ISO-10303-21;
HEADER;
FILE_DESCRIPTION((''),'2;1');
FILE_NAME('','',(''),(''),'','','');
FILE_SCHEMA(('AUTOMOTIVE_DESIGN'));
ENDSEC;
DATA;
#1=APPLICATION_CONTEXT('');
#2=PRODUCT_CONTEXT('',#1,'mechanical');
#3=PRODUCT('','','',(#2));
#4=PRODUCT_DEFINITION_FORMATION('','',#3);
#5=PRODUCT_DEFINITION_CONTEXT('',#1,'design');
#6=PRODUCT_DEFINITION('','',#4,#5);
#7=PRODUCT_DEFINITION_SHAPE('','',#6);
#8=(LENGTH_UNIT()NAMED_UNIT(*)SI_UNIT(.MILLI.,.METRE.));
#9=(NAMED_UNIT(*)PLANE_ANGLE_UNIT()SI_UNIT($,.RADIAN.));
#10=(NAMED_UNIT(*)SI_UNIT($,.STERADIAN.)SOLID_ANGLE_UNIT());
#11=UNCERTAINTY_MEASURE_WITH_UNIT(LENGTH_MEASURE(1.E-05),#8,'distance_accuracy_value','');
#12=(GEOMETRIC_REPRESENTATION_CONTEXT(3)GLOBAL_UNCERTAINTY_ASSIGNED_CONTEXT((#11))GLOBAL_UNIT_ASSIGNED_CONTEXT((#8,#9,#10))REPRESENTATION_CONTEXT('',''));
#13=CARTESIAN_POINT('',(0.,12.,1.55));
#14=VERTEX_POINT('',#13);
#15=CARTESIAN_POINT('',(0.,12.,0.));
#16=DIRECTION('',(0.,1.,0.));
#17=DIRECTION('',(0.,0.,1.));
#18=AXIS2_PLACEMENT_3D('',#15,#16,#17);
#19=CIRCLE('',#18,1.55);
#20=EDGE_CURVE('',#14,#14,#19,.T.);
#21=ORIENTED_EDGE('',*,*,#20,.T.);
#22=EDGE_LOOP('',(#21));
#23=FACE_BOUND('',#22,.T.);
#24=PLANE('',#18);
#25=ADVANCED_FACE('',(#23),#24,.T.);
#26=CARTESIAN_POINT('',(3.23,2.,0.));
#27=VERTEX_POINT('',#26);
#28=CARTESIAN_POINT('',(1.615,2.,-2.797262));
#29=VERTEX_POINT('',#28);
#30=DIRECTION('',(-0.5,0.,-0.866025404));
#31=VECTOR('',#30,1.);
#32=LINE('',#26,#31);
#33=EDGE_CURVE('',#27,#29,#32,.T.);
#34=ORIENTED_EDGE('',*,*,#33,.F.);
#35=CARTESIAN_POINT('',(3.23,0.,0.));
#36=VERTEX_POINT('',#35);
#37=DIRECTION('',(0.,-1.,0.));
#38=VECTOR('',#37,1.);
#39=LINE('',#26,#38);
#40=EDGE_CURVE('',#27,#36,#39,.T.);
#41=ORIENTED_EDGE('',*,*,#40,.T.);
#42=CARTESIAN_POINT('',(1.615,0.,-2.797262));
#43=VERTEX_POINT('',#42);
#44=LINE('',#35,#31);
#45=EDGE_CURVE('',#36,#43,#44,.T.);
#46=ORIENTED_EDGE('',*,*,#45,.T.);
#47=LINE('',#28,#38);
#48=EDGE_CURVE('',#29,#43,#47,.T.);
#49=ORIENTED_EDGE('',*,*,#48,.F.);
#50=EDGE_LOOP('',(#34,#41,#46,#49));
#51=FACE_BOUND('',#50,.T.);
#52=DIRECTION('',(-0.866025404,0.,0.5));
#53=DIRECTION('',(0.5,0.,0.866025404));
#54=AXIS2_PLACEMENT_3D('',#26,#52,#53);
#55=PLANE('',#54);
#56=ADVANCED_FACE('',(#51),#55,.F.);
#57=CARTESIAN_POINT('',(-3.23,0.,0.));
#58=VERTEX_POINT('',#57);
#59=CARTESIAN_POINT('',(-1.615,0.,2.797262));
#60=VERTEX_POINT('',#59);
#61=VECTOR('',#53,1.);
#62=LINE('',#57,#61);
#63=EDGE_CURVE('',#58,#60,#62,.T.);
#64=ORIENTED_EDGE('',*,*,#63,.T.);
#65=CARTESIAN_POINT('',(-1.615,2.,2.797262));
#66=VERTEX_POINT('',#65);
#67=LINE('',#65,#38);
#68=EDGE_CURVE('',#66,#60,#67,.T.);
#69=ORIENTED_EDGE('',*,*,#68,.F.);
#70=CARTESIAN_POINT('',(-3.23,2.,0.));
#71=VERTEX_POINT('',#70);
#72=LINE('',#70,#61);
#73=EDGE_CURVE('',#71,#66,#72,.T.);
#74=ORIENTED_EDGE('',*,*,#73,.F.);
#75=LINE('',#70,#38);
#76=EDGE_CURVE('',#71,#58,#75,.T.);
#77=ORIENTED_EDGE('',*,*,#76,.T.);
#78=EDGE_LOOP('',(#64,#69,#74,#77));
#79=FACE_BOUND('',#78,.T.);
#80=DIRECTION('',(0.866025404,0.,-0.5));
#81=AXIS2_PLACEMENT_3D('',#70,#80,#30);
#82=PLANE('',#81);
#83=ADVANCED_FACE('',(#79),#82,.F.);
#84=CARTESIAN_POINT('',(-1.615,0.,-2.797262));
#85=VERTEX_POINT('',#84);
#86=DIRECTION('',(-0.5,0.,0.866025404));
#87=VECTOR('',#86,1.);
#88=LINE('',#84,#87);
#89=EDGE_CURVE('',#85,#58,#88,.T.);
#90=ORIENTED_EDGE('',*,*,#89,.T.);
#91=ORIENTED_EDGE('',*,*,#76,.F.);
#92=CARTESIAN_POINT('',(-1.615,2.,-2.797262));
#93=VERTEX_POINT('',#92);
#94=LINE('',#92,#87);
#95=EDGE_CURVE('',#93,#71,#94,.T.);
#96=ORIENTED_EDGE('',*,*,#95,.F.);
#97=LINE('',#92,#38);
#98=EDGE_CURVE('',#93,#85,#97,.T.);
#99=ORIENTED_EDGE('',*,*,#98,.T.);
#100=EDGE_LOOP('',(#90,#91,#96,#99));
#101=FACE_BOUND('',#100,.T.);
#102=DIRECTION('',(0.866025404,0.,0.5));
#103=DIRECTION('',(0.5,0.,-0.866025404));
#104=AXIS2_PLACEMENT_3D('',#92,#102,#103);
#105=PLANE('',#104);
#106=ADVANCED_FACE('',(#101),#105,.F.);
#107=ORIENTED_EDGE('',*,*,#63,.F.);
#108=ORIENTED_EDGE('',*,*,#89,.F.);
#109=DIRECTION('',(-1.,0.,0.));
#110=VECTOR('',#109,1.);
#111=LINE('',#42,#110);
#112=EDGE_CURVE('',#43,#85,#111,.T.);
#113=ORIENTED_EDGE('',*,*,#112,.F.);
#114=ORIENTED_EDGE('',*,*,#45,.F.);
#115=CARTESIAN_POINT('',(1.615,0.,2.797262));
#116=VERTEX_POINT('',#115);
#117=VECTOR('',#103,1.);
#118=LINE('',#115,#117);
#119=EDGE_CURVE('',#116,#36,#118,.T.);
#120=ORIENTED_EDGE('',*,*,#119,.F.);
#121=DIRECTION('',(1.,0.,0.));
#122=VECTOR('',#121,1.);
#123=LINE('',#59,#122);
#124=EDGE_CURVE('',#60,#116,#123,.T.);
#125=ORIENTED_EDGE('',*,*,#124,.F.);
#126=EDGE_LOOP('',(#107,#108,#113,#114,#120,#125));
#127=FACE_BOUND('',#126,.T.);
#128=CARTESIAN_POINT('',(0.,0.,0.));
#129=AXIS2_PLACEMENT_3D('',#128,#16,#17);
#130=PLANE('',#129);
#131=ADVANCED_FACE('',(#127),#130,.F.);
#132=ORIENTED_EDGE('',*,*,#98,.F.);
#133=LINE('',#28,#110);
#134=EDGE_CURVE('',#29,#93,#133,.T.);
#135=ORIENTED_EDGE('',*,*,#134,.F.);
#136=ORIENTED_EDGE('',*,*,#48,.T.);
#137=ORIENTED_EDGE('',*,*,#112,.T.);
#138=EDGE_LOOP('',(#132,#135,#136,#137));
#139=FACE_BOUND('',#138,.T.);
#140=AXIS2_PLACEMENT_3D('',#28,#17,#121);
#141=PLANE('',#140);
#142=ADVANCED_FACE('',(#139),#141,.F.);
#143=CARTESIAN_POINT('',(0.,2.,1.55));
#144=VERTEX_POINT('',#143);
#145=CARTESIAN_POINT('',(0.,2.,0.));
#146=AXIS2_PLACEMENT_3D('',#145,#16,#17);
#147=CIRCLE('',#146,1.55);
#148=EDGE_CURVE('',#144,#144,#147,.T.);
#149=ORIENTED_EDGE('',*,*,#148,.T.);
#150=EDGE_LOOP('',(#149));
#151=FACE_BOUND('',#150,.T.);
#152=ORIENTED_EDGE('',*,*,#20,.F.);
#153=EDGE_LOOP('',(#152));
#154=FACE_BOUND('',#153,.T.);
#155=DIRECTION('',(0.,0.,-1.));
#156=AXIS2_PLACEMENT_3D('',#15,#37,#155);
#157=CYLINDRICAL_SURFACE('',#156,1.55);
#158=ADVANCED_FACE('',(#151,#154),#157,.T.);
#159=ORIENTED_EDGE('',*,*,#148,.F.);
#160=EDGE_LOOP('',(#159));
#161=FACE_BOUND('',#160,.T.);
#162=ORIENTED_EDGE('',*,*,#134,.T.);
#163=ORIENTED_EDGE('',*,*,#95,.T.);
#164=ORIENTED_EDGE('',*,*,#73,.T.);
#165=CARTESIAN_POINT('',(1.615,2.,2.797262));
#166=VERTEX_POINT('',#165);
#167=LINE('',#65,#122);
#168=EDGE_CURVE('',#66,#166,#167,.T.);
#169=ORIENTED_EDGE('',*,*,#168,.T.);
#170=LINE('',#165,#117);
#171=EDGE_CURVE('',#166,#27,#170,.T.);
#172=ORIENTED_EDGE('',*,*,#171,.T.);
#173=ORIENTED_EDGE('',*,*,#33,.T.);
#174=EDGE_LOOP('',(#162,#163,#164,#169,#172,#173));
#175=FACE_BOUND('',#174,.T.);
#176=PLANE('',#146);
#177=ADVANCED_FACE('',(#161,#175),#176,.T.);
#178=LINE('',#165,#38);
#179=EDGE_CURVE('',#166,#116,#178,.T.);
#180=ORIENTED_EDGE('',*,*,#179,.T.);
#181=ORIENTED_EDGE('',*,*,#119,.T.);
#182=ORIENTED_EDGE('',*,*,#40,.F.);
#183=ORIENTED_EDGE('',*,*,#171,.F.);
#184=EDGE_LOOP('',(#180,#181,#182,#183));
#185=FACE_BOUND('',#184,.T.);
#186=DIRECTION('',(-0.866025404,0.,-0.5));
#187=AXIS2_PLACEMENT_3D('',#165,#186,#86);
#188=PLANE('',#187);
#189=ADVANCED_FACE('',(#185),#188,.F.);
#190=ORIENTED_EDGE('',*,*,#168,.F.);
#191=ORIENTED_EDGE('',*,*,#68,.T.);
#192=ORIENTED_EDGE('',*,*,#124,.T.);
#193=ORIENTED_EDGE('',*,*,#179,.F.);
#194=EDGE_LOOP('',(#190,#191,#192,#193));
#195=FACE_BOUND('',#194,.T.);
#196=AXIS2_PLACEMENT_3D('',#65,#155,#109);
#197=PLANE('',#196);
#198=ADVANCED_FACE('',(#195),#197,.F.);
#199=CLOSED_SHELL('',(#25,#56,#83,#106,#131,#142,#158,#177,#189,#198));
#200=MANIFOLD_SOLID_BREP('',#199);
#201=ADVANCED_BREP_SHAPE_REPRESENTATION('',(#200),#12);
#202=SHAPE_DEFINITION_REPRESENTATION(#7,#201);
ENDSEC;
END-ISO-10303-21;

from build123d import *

# Parameters (mm, degrees)
EXTRUDE_1_DEPTH = 2
SKETCH_2_R      = 1.55
EXTRUDE_2_DEPTH = 10


with BuildPart() as part:
    # 스케치1 → 보스-돌출1 (new body)
    with BuildSketch(Plane(origin=(0, 0, 0), x_dir=(1, 0, 0), z_dir=(0, 1, 0))):
        Polygon((3.23, 0), (1.615, 2.797262054), (-1.615, 2.797262054), (-3.23, 0), (-1.615, -2.797262054), (1.615, -2.797262054), align=None)
    extrude(amount=EXTRUDE_1_DEPTH)

    # 스케치2 → 보스-돌출2 (add)
    with BuildSketch(Plane(origin=(0, 2, 0), x_dir=(1, 0, 0), z_dir=(0, 1, 0))):
        Circle(SKETCH_2_R)
    extrude(amount=EXTRUDE_2_DEPTH)


solid = part.part
